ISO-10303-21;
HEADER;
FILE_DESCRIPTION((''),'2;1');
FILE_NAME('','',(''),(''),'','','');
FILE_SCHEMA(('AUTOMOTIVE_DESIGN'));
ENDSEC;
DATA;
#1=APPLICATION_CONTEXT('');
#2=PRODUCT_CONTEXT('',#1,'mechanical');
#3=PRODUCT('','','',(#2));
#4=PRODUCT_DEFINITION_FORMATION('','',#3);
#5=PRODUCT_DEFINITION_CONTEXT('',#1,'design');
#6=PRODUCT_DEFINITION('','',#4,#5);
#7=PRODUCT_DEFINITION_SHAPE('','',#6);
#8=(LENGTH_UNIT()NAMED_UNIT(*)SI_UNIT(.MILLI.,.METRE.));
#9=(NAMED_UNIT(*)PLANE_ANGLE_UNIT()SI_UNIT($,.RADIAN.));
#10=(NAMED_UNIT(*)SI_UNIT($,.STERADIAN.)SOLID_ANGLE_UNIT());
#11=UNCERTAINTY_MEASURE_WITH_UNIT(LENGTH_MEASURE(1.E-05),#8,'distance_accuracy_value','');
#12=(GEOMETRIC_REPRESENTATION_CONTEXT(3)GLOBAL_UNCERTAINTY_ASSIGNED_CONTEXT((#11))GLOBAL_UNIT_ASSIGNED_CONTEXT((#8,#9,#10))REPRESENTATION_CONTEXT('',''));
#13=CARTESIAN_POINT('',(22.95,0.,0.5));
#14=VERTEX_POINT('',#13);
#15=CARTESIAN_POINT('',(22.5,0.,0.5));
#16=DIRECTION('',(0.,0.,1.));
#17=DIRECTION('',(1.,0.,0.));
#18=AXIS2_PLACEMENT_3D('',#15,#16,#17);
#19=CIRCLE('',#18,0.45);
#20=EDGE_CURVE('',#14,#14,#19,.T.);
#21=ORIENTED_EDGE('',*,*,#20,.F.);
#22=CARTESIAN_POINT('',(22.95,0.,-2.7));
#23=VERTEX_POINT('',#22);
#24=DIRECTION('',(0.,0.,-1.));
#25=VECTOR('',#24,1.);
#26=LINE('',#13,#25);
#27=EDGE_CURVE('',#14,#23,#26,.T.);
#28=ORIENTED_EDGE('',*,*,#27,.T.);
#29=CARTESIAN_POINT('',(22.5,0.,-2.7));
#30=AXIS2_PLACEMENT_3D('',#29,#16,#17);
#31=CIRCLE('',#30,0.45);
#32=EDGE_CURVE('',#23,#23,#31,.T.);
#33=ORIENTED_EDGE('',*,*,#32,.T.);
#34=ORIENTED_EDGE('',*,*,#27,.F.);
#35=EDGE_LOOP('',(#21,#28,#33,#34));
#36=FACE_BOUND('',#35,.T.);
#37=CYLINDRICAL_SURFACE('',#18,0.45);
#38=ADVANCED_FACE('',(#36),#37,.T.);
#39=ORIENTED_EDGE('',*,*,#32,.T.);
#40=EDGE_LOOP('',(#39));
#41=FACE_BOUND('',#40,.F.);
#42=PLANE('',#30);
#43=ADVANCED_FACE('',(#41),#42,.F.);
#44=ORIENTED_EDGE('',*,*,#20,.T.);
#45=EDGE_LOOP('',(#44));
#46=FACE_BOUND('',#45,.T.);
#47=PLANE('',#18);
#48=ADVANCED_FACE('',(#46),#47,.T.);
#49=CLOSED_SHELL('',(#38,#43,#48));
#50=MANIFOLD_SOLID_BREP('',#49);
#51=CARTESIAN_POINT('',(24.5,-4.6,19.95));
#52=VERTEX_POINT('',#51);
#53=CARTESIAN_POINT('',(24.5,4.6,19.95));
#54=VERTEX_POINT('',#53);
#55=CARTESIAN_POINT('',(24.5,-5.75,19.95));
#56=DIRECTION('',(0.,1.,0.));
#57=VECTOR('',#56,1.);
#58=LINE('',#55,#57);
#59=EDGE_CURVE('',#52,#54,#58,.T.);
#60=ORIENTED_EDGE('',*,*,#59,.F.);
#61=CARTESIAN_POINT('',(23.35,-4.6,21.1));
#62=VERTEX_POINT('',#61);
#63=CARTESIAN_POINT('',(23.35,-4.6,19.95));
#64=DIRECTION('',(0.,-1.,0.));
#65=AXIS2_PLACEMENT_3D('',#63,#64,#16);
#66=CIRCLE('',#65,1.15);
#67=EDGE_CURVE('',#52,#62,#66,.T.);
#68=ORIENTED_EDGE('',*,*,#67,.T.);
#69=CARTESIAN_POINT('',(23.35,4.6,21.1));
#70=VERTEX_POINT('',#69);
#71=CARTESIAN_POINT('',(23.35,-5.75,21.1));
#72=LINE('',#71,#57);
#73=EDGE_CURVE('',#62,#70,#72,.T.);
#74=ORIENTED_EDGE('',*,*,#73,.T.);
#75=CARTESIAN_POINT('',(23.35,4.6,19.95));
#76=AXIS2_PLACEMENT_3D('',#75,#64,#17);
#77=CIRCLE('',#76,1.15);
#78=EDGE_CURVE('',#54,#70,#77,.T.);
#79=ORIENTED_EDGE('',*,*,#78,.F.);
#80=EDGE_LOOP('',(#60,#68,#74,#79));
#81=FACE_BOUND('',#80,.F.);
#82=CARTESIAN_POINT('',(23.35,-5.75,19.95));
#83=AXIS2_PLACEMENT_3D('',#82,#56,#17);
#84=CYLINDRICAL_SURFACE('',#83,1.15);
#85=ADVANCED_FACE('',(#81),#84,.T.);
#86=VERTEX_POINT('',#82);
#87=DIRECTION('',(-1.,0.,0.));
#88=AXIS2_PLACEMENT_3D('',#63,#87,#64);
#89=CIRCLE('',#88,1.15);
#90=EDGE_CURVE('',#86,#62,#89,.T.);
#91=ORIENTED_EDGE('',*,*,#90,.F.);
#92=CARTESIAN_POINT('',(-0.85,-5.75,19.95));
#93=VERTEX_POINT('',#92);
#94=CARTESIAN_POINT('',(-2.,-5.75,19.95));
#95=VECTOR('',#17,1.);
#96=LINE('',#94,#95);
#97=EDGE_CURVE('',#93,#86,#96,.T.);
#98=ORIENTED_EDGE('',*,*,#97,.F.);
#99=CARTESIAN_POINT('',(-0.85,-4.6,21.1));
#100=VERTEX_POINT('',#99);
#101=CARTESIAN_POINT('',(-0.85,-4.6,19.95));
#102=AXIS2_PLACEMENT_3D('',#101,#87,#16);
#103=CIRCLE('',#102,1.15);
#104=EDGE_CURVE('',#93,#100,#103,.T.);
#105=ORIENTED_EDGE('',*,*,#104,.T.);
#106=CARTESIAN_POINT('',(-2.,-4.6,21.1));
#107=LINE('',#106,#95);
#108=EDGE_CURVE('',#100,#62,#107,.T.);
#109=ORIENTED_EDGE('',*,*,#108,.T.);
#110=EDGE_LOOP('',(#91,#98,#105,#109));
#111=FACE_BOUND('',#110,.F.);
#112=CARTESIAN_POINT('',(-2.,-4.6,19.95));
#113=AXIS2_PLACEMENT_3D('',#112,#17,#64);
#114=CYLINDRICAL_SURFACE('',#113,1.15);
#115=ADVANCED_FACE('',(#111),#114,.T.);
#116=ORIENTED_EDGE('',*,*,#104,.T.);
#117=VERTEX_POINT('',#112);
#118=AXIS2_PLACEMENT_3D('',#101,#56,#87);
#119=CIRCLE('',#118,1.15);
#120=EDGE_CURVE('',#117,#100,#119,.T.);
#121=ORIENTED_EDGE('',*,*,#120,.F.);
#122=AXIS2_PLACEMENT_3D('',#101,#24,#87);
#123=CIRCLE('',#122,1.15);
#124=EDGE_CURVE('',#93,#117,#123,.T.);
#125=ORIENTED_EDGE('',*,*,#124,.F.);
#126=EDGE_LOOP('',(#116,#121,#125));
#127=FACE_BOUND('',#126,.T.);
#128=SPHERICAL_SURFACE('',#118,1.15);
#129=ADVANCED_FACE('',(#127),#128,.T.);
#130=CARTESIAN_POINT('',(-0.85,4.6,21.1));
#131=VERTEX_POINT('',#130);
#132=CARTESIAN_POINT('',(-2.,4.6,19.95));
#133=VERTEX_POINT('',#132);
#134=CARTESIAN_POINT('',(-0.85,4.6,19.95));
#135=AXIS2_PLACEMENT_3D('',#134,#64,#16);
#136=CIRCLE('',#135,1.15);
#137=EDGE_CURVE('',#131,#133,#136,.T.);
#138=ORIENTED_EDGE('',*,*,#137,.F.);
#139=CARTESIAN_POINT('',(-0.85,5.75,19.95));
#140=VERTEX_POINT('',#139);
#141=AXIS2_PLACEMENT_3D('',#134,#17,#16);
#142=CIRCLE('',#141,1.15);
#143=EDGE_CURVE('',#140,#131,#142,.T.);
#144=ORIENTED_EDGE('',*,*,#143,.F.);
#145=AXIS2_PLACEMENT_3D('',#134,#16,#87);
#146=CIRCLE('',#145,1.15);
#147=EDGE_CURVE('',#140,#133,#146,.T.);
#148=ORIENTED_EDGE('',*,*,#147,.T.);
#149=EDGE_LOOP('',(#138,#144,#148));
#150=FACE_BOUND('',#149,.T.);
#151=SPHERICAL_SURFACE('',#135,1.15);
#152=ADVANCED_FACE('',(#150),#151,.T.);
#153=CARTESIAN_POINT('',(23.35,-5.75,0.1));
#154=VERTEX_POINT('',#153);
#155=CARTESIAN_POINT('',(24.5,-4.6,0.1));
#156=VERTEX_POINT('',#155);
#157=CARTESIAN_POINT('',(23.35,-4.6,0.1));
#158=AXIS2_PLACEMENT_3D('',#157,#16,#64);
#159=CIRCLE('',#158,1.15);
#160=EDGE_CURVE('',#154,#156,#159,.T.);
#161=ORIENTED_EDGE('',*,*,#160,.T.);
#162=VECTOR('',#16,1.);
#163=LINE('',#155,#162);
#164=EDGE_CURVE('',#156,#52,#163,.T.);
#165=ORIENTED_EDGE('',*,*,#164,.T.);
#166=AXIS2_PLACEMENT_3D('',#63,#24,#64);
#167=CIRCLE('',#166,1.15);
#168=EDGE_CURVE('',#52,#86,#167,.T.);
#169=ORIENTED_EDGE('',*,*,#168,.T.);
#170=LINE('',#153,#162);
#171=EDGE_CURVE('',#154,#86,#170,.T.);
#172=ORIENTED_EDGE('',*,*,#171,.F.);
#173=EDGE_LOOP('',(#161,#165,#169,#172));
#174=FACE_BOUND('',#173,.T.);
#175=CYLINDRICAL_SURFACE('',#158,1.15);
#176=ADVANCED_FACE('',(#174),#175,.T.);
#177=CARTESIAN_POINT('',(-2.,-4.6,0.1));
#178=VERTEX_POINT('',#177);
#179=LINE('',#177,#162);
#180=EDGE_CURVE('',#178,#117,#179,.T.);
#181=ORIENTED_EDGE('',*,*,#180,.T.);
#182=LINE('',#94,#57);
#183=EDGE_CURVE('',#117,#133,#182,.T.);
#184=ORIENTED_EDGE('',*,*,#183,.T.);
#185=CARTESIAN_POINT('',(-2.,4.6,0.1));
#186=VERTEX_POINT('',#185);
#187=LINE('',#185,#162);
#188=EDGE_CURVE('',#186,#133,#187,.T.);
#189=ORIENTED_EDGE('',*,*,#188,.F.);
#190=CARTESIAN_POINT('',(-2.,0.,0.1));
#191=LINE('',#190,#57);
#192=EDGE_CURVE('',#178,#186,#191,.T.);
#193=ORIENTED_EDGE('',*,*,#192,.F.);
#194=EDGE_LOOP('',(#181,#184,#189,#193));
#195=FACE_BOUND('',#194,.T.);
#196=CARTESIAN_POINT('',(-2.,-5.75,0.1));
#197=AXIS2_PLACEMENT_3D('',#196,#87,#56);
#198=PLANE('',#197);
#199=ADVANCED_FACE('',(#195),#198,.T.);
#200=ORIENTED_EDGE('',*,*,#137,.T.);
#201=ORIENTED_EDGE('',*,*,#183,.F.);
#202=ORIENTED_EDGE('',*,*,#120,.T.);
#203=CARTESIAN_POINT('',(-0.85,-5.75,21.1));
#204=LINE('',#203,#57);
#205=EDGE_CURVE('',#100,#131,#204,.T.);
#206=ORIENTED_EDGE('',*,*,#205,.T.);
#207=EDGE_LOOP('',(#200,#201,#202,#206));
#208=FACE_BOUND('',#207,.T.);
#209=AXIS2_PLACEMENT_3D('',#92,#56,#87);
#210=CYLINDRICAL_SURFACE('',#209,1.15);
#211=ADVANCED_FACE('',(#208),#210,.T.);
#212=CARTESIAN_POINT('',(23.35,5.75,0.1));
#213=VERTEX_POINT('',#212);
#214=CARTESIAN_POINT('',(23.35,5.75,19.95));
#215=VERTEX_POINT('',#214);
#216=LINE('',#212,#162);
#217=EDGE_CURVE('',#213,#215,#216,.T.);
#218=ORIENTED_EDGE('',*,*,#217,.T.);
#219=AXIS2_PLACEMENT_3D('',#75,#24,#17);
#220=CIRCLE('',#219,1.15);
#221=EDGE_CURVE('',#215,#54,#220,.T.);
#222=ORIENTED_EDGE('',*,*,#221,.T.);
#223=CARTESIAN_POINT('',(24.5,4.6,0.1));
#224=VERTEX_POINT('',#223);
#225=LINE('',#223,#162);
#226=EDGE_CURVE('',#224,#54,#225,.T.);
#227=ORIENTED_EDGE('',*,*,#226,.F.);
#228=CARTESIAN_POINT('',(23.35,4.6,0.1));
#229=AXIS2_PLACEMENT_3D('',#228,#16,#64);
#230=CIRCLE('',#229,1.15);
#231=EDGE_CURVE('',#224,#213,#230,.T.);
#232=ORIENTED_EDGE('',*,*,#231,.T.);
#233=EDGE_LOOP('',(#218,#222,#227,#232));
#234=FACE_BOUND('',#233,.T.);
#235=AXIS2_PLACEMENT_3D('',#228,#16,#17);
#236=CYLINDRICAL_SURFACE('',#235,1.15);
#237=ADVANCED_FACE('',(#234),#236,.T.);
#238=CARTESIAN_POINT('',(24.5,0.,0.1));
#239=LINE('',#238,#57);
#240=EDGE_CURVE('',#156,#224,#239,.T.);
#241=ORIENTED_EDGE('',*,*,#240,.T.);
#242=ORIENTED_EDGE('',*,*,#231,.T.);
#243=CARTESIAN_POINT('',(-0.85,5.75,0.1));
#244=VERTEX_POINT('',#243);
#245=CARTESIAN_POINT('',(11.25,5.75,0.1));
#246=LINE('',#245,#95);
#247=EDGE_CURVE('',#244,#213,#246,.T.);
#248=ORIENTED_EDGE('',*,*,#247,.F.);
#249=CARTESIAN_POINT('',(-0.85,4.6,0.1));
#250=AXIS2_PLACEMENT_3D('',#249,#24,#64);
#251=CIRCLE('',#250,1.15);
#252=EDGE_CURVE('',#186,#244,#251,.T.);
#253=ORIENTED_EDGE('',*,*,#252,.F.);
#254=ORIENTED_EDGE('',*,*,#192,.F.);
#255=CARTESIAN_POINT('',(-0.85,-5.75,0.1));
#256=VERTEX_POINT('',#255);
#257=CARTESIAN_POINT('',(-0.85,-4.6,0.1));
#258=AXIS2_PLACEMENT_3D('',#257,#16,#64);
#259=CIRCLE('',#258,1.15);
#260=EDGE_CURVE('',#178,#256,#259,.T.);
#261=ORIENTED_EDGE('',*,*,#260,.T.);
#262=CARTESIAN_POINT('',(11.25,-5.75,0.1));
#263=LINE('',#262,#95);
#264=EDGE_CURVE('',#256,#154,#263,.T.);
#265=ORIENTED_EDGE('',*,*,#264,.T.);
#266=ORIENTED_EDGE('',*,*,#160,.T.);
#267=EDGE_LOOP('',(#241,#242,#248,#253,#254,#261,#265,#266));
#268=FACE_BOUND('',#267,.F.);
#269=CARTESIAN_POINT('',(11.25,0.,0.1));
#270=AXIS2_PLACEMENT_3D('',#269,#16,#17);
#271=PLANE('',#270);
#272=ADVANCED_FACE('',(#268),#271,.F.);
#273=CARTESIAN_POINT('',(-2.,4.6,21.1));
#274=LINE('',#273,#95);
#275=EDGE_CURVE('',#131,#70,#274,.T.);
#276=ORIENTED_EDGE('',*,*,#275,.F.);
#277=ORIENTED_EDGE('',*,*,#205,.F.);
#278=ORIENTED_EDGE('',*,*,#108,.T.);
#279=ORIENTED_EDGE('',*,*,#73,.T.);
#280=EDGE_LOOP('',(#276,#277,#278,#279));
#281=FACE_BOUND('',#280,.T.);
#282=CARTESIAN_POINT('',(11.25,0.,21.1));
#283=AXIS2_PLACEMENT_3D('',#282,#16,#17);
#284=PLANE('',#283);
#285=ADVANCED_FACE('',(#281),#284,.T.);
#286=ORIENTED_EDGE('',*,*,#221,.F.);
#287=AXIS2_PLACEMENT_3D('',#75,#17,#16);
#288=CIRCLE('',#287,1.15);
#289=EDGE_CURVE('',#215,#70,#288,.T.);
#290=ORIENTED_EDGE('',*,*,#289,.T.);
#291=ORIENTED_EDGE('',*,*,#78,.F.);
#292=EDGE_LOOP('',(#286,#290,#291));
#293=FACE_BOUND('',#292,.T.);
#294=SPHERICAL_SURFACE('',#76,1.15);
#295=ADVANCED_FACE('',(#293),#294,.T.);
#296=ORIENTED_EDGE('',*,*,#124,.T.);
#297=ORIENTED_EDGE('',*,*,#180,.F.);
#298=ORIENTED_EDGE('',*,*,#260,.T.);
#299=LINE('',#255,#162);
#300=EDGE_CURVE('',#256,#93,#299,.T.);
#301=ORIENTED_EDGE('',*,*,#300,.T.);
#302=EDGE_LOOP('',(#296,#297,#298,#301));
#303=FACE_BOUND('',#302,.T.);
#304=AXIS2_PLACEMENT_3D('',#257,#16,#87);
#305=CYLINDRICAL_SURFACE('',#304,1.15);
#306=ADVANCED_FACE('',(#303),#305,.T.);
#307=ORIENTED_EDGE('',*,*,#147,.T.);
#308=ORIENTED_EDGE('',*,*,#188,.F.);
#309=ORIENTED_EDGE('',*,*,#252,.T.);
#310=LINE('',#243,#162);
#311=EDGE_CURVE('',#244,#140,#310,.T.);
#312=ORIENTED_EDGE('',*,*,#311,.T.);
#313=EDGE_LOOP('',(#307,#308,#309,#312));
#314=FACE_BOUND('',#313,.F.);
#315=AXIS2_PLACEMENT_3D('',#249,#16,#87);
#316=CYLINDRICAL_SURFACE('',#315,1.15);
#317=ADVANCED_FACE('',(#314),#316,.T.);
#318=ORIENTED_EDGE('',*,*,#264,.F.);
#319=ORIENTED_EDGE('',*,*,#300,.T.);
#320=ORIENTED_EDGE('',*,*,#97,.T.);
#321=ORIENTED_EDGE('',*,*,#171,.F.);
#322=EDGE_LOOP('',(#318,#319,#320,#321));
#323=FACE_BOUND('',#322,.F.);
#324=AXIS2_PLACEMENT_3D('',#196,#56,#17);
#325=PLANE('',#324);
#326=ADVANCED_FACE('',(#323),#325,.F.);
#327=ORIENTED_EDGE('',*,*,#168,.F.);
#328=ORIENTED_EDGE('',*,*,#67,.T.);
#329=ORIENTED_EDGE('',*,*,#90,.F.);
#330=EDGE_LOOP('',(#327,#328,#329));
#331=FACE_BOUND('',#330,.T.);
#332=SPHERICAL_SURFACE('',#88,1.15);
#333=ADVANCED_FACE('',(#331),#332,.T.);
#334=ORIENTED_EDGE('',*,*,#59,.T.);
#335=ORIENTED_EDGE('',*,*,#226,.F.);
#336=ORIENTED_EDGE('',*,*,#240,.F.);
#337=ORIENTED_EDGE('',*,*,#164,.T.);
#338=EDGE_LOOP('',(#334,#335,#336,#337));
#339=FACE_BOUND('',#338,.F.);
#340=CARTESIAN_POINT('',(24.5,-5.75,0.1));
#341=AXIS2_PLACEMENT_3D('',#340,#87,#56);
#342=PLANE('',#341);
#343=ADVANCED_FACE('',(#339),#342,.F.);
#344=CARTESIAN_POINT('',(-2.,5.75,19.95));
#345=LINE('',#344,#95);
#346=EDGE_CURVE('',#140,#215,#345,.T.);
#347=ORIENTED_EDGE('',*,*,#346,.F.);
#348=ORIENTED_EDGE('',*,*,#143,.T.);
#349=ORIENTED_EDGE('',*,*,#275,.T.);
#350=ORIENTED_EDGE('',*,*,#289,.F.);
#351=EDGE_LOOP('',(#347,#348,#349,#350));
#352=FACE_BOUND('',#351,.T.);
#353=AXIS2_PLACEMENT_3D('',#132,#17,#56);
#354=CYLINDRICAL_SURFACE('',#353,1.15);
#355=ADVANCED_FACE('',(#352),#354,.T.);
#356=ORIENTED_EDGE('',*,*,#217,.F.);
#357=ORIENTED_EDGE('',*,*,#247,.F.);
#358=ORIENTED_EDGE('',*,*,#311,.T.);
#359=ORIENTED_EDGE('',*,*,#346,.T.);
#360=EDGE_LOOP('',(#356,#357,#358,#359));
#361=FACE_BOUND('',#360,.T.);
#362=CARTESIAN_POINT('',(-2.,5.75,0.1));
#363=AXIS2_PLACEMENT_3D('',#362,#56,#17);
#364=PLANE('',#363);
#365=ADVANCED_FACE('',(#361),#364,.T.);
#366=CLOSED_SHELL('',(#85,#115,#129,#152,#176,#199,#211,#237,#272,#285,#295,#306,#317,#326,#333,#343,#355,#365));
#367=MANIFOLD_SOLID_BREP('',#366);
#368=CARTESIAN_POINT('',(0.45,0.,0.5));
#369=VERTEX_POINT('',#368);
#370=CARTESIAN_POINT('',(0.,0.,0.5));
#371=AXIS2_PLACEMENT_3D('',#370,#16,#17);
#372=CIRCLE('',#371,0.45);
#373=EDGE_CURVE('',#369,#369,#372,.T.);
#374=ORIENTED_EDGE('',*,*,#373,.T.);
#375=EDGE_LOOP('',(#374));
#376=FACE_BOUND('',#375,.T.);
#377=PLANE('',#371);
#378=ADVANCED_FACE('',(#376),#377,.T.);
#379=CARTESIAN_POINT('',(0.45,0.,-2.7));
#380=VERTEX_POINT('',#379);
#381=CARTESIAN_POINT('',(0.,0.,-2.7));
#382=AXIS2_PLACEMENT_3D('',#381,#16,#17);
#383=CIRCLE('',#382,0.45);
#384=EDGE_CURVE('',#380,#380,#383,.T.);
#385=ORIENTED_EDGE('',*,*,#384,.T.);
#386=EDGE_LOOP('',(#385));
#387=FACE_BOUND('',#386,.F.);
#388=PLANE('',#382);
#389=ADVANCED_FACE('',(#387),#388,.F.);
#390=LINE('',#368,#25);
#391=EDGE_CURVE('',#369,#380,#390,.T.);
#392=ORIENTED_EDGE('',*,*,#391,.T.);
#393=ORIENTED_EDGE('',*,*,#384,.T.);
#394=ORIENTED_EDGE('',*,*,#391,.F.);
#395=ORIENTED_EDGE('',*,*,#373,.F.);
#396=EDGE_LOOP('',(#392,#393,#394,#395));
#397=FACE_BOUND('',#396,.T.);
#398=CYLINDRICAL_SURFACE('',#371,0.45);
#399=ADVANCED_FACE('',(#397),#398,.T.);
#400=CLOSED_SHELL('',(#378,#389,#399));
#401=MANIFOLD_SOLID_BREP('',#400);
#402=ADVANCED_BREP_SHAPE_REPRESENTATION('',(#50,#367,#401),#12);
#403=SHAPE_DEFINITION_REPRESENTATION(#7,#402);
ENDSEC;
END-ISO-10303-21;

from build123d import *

# Parameters (mm, degrees)
SKETCH_W     = 26.5
SKETCH_H     = 11.5
PAD_DEPTH    = 21
FILLET_R     = 1.15
SKETCH001_R  = 0.45
PAD001_DEPTH = 3.2


with BuildPart() as fillet_body:
    # Sketch → Pad (new body)
    with BuildSketch(Plane.XY.offset(0.1)):
        with Locations((11.25, 0)):
            Rectangle(SKETCH_W, SKETCH_H)
    extrude(amount=PAD_DEPTH)

    # Fillet
    fillet_edges = [fillet_body.edges().sort_by_distance(p)[0] for p in [
        (-2, 0, 21.1),
        (-2, -5.75, 10.6),
        (11.25, -5.75, 21.1),
        (24.5, -5.75, 10.6),
        (24.5, 0, 21.1),
        (24.5, 5.75, 10.6),
        (11.25, 5.75, 21.1),
        (-2, 5.75, 10.6),
    ]]
    fillet(fillet_edges, radius=FILLET_R)


with BuildPart() as pad001:
    # Sketch001 → Pad001 (new body)
    with BuildSketch(Plane.XY.offset(0.5)):
        Circle(SKETCH001_R)
        with Locations((22.5, 0)):
            Circle(SKETCH001_R)
    extrude(amount=-PAD001_DEPTH)


solid = Compound([fillet_body.part, pad001.part])
